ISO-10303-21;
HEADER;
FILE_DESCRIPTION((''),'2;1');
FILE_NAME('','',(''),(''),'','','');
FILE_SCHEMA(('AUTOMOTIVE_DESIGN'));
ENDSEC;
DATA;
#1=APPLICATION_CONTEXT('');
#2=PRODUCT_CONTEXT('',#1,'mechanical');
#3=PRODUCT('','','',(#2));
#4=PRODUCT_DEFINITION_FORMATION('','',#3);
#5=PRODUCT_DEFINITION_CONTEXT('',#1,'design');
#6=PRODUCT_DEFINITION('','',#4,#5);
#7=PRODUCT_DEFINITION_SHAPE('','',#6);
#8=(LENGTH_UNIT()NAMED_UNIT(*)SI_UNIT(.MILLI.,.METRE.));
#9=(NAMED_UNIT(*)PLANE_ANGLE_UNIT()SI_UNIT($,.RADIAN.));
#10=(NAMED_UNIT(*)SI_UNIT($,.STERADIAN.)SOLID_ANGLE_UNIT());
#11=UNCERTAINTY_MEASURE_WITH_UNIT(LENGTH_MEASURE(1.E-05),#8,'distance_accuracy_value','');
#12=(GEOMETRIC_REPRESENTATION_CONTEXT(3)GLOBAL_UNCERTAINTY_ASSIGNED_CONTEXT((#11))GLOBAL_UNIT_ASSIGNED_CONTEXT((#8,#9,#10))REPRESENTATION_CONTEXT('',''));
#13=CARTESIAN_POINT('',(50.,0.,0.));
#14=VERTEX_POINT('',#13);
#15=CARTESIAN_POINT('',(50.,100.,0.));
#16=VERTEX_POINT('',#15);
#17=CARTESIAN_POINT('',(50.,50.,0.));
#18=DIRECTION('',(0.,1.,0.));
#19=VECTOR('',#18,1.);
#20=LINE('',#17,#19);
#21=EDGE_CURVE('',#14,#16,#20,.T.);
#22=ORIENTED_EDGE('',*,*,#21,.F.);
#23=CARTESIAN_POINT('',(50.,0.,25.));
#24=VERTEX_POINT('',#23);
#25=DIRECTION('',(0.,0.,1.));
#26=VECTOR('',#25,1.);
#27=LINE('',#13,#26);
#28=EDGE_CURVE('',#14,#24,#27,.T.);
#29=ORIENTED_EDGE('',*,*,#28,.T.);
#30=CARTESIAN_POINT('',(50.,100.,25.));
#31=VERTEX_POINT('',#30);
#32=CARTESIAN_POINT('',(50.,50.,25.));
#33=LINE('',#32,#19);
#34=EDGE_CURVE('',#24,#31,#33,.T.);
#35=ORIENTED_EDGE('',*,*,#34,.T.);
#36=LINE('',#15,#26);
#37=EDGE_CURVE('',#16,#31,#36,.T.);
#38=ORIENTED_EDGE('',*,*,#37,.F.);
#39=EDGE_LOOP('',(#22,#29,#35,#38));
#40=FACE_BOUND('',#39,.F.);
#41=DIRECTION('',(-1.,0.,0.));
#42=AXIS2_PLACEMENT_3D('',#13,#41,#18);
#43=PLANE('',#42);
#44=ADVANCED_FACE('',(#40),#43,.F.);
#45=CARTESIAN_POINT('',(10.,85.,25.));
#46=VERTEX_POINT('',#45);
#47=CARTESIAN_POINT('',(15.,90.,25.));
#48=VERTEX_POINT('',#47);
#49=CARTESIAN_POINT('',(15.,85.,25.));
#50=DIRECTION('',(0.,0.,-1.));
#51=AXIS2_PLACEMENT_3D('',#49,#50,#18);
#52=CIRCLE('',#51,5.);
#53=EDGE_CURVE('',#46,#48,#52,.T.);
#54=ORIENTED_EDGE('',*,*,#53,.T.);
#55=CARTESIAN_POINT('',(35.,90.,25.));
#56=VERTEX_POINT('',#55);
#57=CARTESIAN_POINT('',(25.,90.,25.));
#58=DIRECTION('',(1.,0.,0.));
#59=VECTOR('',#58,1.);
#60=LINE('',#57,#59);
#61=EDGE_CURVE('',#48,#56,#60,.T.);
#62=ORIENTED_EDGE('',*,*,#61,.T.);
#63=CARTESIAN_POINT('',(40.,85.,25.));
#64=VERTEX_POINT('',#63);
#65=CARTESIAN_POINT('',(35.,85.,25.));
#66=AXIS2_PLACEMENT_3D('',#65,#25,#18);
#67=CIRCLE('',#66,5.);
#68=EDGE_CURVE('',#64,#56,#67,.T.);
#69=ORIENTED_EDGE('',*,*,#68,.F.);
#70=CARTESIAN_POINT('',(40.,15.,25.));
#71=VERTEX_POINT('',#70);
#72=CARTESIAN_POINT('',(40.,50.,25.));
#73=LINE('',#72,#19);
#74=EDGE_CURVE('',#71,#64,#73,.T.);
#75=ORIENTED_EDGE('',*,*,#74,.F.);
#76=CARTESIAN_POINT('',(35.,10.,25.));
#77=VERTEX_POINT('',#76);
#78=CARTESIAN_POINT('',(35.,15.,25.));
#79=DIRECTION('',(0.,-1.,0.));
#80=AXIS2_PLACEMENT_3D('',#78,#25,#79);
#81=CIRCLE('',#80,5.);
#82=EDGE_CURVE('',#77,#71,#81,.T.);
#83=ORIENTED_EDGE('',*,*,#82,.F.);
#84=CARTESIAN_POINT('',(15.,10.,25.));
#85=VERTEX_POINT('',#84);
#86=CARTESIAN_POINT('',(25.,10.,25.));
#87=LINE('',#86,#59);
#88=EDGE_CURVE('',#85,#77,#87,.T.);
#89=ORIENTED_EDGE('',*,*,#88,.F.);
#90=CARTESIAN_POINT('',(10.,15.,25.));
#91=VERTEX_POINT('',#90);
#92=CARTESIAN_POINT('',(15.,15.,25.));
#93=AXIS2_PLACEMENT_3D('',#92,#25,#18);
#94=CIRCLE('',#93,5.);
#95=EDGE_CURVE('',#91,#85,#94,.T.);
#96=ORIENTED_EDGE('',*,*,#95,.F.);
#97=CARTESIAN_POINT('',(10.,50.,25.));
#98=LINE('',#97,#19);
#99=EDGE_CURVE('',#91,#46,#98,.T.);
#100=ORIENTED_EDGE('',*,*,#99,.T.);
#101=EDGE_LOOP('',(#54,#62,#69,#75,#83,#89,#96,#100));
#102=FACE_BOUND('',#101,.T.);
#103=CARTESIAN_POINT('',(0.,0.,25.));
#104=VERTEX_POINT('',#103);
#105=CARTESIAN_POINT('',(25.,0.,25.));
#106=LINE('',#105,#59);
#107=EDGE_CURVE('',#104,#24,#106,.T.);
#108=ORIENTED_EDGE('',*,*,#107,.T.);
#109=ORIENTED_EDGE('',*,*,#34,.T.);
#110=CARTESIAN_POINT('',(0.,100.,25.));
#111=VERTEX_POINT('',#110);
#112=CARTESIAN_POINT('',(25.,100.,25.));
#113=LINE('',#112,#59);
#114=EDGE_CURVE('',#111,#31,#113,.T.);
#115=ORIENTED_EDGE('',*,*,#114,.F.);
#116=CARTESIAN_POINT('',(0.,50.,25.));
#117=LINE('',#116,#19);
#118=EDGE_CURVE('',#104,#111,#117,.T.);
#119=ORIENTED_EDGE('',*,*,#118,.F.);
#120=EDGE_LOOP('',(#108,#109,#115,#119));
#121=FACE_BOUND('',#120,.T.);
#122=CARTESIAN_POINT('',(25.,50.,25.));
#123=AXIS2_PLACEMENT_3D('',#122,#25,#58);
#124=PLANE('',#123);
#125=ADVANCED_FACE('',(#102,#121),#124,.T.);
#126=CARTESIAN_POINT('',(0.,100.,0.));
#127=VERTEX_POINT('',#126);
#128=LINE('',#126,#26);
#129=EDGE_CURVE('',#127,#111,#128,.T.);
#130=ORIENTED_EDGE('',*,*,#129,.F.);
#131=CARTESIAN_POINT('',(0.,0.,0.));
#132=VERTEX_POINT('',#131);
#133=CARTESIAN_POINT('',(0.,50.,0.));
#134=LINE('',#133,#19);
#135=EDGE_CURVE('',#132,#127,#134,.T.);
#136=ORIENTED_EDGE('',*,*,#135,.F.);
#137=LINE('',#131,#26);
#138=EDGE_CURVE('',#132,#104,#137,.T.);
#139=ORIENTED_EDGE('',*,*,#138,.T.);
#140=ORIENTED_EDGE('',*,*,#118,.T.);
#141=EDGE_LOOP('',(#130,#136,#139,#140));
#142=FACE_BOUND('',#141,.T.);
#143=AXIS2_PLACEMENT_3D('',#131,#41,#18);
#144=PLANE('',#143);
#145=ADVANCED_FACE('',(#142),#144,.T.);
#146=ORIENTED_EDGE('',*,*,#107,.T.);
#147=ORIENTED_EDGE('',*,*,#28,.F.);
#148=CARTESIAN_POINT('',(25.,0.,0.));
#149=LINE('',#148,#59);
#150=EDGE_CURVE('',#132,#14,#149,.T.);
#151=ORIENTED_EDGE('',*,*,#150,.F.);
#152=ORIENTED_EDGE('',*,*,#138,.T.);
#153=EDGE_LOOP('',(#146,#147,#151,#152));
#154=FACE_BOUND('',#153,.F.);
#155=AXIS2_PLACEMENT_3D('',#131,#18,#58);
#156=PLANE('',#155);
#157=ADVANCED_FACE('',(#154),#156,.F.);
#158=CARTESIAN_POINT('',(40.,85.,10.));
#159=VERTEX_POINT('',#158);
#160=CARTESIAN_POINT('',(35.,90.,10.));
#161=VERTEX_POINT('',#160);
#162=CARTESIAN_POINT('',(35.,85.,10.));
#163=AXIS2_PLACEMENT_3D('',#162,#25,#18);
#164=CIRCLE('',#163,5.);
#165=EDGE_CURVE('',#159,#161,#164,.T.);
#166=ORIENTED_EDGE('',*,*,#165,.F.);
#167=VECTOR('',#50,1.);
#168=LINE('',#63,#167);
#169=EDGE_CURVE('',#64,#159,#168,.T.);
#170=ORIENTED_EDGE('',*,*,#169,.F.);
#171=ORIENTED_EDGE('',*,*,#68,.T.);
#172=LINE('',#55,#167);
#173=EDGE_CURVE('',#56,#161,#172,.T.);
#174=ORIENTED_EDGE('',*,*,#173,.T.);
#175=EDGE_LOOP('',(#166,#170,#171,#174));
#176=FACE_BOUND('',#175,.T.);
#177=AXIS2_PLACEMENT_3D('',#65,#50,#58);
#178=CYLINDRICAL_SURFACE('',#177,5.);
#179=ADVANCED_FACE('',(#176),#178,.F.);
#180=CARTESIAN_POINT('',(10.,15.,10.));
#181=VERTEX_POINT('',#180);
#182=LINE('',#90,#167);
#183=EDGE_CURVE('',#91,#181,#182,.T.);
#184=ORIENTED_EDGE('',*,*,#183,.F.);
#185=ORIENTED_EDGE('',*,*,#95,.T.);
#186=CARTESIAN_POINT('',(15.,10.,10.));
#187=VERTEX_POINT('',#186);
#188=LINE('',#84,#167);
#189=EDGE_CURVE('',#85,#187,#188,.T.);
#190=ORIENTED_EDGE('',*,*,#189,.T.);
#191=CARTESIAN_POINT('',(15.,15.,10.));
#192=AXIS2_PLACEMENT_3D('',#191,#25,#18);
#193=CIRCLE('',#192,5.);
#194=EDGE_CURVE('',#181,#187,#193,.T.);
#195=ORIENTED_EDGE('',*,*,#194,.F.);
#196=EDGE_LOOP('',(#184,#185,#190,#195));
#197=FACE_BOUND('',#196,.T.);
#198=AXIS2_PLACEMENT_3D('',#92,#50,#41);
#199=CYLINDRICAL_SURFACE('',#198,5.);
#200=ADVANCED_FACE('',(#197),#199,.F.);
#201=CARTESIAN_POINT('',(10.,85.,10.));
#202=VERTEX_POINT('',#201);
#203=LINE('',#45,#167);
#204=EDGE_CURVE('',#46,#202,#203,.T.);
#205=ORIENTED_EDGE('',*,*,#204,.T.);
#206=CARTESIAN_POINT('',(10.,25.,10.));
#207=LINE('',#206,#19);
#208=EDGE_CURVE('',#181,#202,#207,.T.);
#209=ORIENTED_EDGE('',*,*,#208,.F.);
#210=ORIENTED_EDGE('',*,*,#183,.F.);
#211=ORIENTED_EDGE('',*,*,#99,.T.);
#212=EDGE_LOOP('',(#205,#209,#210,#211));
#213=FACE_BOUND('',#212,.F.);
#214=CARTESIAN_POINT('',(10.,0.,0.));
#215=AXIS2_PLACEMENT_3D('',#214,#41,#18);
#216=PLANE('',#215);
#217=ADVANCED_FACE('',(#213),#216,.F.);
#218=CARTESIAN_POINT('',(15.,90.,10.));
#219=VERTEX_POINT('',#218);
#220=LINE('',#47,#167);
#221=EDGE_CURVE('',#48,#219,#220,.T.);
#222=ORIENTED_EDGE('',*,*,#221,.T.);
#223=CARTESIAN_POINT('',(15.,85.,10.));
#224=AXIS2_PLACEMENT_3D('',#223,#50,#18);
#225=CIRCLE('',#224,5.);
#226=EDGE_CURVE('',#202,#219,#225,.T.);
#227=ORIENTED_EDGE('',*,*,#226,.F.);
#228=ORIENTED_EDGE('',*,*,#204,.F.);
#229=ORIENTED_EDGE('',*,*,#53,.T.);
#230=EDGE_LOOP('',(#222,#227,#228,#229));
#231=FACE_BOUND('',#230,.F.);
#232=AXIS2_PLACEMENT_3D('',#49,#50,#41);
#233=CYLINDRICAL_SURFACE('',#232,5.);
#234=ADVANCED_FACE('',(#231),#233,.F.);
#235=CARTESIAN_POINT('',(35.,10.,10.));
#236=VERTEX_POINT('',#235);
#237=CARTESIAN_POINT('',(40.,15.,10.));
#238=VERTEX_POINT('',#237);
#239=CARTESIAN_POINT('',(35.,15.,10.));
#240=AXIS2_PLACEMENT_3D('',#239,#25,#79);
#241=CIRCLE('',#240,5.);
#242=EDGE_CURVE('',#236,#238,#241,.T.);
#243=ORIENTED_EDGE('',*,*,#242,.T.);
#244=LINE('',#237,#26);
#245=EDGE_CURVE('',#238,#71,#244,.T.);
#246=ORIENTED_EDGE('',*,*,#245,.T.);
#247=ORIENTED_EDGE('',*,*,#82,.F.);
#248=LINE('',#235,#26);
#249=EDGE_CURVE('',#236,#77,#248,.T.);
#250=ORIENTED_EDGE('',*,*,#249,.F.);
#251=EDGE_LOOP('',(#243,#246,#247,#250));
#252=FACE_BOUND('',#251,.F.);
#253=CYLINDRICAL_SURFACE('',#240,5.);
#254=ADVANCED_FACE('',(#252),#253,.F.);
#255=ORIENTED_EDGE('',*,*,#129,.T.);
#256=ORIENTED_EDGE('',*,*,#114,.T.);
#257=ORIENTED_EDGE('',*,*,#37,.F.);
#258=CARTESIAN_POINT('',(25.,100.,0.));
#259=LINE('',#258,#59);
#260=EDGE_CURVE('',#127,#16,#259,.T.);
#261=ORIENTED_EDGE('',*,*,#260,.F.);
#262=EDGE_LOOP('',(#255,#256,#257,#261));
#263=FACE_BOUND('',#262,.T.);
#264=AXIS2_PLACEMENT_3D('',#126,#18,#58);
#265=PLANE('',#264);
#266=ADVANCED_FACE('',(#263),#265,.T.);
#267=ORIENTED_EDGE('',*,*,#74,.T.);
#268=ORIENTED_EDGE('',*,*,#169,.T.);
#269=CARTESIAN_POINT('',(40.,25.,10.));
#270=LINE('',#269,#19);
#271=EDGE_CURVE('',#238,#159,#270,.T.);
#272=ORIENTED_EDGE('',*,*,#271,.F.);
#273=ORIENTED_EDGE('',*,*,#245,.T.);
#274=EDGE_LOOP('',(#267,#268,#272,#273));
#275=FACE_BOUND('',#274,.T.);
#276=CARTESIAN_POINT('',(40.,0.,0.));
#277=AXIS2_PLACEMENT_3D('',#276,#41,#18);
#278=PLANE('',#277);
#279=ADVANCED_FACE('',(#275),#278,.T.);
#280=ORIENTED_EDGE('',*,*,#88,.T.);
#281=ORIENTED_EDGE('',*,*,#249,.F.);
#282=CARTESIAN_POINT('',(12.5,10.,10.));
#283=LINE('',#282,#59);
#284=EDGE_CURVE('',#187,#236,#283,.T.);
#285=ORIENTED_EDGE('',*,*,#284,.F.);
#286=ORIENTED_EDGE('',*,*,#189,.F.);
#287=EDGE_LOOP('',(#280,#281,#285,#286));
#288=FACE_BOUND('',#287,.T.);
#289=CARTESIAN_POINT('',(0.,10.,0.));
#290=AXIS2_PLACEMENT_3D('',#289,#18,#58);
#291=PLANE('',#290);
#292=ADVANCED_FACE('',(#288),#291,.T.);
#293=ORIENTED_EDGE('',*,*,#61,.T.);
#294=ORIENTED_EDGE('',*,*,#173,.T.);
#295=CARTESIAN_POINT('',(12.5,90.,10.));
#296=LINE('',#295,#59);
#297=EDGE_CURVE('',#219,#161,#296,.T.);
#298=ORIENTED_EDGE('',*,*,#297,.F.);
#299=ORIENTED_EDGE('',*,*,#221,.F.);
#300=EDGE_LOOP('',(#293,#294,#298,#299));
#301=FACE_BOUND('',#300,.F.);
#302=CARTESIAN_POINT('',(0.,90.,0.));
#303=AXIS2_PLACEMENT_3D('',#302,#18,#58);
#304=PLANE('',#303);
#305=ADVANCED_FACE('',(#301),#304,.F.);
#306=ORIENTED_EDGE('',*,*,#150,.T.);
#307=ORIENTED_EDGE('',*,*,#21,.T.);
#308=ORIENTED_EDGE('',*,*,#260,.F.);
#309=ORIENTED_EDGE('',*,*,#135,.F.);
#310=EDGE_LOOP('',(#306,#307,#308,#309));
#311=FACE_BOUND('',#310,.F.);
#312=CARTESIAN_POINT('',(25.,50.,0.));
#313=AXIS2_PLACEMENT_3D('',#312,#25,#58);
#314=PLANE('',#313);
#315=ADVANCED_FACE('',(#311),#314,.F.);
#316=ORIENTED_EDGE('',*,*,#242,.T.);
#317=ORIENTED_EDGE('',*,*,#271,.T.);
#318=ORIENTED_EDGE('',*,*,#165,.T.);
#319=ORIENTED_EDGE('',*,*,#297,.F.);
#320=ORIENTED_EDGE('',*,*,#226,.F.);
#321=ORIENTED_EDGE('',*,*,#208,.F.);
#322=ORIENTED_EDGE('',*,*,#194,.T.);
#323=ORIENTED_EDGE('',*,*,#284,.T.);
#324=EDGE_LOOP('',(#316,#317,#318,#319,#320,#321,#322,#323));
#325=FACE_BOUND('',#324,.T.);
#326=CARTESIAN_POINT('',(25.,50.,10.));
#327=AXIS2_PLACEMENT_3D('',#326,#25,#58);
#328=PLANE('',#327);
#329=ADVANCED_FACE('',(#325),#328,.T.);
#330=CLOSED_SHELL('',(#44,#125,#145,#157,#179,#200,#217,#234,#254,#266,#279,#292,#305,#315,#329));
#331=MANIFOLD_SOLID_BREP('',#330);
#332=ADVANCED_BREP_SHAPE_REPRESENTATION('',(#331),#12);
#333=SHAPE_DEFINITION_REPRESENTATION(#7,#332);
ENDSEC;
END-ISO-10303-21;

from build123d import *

# Parameters (mm, degrees)
F0_W     = 50
F0_H     = 100
F1_DEPTH = 25
F2_T     = -10
F3_R     = 5


with BuildPart() as f1:
    # F0 (on Top) → F1 (new body)
    with BuildSketch(Plane.XY):
        with Locations((25, 50)):
            Rectangle(F0_W, F0_H)
    extrude(amount=F1_DEPTH)

    # F2
    f2_openings = [f1.faces().sort_by_distance(p)[0] for p in [
        (25, 50, 25),
    ]]
    offset(amount=F2_T, openings=f2_openings)

    # F3
    f3_edges = [f1.edges().sort_by_distance(p)[0] for p in [
        (10, 90, 17.5),
        (40, 90, 17.5),
        (40, 10, 17.5),
        (10, 10, 17.5),
    ]]
    fillet(f3_edges, radius=F3_R)


solid = f1.part
